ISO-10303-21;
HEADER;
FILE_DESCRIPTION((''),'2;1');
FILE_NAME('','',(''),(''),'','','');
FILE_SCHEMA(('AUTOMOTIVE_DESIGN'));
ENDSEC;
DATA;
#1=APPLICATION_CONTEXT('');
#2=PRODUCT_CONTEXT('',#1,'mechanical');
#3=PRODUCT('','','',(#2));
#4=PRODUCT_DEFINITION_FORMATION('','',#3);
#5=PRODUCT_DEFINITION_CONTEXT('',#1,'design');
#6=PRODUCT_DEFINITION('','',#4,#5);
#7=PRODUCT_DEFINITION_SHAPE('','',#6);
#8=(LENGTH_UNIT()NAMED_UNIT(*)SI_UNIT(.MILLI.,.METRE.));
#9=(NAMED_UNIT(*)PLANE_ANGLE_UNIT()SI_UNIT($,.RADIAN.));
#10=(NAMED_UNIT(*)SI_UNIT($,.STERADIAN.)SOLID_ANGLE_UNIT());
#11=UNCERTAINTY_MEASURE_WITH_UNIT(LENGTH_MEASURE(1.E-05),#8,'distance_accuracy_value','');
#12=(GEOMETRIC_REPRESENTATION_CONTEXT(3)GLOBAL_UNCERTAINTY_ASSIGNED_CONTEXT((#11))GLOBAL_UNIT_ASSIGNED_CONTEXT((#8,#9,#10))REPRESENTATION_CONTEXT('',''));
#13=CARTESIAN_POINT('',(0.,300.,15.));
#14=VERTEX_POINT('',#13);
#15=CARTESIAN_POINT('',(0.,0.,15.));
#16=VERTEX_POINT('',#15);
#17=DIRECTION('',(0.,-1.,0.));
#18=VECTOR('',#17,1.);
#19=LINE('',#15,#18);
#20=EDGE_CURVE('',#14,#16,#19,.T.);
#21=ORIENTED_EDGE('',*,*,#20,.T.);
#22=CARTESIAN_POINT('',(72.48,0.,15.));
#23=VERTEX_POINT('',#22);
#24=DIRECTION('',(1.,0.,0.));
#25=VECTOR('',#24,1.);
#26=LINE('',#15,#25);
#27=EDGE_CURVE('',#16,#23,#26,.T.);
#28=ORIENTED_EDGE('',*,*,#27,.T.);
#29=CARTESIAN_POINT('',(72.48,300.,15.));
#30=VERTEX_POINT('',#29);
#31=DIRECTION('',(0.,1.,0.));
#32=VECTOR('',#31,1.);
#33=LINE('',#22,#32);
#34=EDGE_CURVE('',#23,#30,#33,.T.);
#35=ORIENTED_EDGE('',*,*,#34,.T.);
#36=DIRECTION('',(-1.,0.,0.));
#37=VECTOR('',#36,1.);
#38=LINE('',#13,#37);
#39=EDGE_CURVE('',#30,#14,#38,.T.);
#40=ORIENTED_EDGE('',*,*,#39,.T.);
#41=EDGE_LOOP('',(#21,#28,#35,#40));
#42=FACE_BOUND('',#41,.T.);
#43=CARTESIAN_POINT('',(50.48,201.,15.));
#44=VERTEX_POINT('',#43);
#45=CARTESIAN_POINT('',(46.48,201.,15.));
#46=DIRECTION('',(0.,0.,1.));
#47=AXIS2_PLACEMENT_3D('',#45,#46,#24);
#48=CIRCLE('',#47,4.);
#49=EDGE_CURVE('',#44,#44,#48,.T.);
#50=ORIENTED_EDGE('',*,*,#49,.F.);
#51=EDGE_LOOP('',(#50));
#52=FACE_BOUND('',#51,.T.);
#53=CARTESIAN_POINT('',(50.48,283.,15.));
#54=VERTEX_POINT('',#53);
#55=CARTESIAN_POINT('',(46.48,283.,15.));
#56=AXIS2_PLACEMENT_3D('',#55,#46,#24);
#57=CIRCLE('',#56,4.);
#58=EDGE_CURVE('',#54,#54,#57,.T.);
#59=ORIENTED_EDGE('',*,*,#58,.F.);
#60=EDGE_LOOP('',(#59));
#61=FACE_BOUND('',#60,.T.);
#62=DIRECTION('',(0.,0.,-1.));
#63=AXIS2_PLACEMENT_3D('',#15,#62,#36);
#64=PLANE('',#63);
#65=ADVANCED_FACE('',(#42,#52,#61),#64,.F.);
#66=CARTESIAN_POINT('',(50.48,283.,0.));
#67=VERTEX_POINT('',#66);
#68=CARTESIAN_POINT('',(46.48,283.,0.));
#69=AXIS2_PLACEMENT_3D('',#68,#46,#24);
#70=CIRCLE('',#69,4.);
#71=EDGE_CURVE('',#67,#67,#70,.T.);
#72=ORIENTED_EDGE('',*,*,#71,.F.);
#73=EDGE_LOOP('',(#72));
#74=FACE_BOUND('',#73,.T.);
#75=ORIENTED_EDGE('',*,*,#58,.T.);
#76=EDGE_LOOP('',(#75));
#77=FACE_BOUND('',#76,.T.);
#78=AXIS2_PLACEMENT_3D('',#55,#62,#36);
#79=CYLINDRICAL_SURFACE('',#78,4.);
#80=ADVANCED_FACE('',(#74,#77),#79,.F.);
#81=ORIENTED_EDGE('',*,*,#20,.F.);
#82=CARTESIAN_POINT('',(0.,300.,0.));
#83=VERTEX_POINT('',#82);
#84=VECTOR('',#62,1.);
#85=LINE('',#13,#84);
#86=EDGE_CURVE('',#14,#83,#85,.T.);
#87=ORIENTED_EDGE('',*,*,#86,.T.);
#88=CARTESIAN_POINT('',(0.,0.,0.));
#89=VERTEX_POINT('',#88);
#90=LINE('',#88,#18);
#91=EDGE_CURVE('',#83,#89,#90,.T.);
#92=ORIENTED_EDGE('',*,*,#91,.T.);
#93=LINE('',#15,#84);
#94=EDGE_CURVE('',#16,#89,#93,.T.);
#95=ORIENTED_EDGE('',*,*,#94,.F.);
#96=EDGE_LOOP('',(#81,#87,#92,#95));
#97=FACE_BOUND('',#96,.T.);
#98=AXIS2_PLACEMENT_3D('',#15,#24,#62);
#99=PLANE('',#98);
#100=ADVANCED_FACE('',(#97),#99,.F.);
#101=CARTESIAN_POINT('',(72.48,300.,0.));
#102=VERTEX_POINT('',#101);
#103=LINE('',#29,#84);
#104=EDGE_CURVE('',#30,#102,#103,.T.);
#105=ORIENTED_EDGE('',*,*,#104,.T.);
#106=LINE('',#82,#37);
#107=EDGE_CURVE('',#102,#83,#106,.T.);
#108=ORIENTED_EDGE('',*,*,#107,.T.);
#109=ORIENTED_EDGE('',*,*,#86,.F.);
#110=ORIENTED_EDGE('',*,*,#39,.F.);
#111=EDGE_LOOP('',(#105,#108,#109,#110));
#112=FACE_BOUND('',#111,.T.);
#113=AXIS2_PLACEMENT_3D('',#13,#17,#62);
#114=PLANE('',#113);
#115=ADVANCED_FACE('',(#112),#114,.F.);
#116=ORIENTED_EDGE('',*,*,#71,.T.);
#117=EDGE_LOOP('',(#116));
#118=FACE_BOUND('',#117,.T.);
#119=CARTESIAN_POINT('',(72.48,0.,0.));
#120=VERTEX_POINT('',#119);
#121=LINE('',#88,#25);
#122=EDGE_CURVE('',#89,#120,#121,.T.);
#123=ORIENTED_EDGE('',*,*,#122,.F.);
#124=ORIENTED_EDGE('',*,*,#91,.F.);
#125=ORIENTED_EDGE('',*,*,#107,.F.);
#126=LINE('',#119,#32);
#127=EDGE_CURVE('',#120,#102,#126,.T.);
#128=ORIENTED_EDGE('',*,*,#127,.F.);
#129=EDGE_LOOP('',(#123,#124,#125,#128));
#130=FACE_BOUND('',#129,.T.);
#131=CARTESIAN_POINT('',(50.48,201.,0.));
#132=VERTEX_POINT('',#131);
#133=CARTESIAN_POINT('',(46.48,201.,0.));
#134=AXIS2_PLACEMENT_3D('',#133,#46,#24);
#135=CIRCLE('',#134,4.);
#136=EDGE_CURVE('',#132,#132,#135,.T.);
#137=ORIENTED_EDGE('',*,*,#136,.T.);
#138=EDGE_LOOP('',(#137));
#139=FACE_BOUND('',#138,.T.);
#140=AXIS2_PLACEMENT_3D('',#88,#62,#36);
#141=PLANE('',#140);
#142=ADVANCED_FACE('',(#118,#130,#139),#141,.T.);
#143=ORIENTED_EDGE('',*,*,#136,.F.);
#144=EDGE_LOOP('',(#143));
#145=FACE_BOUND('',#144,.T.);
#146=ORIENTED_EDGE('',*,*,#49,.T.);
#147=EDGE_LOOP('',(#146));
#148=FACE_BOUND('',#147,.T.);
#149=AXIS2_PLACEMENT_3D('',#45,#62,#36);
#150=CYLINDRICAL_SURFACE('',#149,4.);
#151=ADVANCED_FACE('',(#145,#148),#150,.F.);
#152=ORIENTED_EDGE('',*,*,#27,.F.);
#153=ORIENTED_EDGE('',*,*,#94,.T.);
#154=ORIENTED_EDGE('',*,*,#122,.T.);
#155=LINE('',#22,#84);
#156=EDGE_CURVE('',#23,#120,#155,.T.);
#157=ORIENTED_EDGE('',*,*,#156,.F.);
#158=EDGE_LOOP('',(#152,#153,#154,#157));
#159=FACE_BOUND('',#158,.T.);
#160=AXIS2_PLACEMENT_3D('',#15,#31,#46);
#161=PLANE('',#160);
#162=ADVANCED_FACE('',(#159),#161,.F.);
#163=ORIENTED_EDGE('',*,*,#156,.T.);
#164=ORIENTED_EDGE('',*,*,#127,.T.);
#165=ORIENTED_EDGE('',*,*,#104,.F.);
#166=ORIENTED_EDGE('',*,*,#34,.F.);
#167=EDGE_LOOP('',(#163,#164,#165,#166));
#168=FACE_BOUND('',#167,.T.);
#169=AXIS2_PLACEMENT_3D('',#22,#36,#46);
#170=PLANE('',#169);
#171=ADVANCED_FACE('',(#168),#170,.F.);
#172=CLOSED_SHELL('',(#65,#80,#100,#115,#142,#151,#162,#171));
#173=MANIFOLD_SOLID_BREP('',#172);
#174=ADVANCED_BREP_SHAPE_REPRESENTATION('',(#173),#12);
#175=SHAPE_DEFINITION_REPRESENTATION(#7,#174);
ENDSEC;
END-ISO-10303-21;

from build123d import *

# Parameters (mm, degrees)
CROQUIS1_W              = 72.48
CROQUIS1_H              = 300
CROQUIS1_R              = 4
SALIENTE_EXTRUIR1_DEPTH = 15


with BuildPart() as part:
    # Croquis1 → Saliente-Extruir1 (new body)
    with BuildSketch(Plane.XY):
        with Locations((36.24, 150)):
            Rectangle(CROQUIS1_W, CROQUIS1_H)
        with Locations((46.48, 283)):
            Circle(CROQUIS1_R, mode=Mode.SUBTRACT)
        with Locations((46.48, 201)):
            Circle(CROQUIS1_R, mode=Mode.SUBTRACT)
    extrude(amount=SALIENTE_EXTRUIR1_DEPTH)


solid = part.part
